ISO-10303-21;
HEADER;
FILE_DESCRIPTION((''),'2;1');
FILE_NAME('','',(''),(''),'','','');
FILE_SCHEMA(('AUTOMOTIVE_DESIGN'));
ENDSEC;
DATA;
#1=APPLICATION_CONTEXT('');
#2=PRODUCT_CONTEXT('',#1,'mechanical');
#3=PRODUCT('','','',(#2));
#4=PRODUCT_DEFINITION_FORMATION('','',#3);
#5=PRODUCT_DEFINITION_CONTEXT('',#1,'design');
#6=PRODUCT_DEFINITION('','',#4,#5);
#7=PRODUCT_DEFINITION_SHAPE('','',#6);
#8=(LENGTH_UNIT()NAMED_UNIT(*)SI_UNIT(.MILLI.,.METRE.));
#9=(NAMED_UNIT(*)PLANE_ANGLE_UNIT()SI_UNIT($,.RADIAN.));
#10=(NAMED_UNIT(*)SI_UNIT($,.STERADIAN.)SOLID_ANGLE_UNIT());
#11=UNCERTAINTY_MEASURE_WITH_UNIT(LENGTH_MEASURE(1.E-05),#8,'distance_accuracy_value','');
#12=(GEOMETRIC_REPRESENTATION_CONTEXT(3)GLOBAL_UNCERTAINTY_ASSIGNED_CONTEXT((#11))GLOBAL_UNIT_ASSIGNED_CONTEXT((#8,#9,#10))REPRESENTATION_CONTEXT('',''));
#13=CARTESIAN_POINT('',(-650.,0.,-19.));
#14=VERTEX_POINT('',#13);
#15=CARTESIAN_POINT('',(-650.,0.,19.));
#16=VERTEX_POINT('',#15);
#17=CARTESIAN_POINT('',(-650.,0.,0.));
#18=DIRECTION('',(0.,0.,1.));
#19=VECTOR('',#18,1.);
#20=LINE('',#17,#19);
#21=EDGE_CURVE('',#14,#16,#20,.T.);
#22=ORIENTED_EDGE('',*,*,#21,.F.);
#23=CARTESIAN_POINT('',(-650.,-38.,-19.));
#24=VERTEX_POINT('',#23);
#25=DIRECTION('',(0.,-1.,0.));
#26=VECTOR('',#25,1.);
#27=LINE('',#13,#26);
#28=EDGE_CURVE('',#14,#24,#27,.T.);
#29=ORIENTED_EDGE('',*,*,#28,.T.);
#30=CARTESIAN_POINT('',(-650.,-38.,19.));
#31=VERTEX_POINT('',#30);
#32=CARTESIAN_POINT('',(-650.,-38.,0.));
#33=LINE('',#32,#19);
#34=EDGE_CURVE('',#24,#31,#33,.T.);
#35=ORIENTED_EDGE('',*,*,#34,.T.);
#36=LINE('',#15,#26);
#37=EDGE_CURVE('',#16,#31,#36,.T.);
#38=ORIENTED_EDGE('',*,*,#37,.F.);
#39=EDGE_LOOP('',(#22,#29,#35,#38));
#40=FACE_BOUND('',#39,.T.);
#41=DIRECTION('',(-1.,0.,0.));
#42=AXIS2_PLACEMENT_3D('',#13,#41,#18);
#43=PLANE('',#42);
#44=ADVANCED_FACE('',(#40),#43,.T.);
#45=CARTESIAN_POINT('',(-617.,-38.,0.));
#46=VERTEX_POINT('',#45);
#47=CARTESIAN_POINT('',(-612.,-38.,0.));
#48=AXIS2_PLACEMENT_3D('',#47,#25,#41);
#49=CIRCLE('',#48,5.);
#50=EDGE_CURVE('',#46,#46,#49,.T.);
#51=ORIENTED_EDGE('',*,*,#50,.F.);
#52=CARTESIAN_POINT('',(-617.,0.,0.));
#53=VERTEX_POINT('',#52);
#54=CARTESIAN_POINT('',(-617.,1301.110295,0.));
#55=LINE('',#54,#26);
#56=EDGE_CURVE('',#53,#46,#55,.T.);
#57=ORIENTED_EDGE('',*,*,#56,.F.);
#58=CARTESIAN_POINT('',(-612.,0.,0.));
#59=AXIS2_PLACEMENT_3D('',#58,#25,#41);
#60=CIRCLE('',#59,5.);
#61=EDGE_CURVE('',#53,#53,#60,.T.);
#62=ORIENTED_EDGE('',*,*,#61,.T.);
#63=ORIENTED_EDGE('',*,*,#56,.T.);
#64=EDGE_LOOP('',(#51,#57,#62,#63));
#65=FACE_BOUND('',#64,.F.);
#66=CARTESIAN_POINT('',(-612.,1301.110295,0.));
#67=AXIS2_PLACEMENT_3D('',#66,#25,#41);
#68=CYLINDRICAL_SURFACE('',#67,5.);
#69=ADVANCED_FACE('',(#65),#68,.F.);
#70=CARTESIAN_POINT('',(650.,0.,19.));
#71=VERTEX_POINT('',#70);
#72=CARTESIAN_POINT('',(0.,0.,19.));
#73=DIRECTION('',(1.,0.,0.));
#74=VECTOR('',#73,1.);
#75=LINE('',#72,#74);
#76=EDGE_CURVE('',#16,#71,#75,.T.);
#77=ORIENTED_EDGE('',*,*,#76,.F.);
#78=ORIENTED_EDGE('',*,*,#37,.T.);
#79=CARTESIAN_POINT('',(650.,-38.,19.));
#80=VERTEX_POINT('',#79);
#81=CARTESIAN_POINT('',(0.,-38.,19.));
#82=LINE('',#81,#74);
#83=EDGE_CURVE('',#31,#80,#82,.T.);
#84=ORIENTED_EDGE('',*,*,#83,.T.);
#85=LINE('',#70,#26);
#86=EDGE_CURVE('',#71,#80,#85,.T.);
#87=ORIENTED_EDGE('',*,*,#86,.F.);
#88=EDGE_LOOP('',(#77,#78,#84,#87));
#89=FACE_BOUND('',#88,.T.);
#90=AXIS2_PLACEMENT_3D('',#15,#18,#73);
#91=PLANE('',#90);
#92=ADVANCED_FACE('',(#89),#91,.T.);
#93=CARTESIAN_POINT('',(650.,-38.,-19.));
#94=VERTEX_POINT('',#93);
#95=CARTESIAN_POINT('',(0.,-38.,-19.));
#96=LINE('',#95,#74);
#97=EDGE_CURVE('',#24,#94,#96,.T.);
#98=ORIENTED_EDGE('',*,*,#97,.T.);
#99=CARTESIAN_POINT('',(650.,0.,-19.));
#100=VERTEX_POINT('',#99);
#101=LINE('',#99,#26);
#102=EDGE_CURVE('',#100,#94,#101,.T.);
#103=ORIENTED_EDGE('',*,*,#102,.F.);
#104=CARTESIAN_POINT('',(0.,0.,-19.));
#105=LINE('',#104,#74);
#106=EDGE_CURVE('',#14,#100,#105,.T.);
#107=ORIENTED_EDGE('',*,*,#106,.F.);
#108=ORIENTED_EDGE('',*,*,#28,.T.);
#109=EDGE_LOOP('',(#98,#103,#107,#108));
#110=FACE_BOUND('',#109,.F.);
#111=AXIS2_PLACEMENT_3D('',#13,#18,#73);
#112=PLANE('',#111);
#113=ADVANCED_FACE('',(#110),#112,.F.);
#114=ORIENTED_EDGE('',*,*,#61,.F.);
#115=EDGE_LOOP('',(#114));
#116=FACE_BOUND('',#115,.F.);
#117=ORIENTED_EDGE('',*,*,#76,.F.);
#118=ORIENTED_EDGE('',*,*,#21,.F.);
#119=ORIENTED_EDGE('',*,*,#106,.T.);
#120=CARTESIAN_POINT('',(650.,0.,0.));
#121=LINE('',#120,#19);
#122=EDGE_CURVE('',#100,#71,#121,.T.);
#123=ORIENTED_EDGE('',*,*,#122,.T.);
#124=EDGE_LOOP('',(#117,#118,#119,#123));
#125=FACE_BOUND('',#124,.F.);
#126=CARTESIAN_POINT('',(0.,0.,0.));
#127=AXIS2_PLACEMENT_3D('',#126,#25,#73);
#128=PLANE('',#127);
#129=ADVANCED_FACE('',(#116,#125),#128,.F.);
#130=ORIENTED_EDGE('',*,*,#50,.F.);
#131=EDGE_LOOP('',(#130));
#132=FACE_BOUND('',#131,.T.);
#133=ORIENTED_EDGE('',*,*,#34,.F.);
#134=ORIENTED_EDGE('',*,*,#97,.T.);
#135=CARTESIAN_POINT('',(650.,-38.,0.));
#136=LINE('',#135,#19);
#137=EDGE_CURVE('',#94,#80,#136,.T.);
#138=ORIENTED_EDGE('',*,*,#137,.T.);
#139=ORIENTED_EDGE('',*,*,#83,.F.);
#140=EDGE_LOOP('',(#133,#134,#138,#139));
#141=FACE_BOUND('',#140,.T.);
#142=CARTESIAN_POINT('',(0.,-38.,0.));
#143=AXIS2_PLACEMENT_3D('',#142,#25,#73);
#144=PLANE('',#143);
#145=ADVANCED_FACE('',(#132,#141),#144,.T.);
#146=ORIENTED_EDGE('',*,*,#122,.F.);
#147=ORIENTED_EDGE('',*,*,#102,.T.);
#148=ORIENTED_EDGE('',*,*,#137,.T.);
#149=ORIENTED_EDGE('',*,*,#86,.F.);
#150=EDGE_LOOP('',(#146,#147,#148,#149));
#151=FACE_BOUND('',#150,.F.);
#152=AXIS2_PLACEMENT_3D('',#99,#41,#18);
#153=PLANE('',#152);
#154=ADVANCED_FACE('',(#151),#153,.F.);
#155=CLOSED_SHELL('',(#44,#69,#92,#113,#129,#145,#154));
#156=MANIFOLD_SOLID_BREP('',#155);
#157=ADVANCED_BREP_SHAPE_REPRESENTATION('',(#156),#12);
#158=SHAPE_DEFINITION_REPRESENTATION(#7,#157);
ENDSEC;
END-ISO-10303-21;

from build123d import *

# Parameters (mm, degrees)
F0_W     = 1300
F0_H     = 38
F1_DEPTH = 38
F2_D     = 10


with BuildPart() as f1:
    # F0 (on Front) → F1 (new body)
    with BuildSketch(Plane.XZ):
        Rectangle(F0_W, F0_H)
    extrude(amount=F1_DEPTH)

    # F2 (through all)
    with Locations(Plane(origin=(0, 0, 0), x_dir=(1, 0, 0), z_dir=(0, 1, 0))):
        with Locations((-612, 0)):
            Hole(F2_D / 2)


solid = f1.part
